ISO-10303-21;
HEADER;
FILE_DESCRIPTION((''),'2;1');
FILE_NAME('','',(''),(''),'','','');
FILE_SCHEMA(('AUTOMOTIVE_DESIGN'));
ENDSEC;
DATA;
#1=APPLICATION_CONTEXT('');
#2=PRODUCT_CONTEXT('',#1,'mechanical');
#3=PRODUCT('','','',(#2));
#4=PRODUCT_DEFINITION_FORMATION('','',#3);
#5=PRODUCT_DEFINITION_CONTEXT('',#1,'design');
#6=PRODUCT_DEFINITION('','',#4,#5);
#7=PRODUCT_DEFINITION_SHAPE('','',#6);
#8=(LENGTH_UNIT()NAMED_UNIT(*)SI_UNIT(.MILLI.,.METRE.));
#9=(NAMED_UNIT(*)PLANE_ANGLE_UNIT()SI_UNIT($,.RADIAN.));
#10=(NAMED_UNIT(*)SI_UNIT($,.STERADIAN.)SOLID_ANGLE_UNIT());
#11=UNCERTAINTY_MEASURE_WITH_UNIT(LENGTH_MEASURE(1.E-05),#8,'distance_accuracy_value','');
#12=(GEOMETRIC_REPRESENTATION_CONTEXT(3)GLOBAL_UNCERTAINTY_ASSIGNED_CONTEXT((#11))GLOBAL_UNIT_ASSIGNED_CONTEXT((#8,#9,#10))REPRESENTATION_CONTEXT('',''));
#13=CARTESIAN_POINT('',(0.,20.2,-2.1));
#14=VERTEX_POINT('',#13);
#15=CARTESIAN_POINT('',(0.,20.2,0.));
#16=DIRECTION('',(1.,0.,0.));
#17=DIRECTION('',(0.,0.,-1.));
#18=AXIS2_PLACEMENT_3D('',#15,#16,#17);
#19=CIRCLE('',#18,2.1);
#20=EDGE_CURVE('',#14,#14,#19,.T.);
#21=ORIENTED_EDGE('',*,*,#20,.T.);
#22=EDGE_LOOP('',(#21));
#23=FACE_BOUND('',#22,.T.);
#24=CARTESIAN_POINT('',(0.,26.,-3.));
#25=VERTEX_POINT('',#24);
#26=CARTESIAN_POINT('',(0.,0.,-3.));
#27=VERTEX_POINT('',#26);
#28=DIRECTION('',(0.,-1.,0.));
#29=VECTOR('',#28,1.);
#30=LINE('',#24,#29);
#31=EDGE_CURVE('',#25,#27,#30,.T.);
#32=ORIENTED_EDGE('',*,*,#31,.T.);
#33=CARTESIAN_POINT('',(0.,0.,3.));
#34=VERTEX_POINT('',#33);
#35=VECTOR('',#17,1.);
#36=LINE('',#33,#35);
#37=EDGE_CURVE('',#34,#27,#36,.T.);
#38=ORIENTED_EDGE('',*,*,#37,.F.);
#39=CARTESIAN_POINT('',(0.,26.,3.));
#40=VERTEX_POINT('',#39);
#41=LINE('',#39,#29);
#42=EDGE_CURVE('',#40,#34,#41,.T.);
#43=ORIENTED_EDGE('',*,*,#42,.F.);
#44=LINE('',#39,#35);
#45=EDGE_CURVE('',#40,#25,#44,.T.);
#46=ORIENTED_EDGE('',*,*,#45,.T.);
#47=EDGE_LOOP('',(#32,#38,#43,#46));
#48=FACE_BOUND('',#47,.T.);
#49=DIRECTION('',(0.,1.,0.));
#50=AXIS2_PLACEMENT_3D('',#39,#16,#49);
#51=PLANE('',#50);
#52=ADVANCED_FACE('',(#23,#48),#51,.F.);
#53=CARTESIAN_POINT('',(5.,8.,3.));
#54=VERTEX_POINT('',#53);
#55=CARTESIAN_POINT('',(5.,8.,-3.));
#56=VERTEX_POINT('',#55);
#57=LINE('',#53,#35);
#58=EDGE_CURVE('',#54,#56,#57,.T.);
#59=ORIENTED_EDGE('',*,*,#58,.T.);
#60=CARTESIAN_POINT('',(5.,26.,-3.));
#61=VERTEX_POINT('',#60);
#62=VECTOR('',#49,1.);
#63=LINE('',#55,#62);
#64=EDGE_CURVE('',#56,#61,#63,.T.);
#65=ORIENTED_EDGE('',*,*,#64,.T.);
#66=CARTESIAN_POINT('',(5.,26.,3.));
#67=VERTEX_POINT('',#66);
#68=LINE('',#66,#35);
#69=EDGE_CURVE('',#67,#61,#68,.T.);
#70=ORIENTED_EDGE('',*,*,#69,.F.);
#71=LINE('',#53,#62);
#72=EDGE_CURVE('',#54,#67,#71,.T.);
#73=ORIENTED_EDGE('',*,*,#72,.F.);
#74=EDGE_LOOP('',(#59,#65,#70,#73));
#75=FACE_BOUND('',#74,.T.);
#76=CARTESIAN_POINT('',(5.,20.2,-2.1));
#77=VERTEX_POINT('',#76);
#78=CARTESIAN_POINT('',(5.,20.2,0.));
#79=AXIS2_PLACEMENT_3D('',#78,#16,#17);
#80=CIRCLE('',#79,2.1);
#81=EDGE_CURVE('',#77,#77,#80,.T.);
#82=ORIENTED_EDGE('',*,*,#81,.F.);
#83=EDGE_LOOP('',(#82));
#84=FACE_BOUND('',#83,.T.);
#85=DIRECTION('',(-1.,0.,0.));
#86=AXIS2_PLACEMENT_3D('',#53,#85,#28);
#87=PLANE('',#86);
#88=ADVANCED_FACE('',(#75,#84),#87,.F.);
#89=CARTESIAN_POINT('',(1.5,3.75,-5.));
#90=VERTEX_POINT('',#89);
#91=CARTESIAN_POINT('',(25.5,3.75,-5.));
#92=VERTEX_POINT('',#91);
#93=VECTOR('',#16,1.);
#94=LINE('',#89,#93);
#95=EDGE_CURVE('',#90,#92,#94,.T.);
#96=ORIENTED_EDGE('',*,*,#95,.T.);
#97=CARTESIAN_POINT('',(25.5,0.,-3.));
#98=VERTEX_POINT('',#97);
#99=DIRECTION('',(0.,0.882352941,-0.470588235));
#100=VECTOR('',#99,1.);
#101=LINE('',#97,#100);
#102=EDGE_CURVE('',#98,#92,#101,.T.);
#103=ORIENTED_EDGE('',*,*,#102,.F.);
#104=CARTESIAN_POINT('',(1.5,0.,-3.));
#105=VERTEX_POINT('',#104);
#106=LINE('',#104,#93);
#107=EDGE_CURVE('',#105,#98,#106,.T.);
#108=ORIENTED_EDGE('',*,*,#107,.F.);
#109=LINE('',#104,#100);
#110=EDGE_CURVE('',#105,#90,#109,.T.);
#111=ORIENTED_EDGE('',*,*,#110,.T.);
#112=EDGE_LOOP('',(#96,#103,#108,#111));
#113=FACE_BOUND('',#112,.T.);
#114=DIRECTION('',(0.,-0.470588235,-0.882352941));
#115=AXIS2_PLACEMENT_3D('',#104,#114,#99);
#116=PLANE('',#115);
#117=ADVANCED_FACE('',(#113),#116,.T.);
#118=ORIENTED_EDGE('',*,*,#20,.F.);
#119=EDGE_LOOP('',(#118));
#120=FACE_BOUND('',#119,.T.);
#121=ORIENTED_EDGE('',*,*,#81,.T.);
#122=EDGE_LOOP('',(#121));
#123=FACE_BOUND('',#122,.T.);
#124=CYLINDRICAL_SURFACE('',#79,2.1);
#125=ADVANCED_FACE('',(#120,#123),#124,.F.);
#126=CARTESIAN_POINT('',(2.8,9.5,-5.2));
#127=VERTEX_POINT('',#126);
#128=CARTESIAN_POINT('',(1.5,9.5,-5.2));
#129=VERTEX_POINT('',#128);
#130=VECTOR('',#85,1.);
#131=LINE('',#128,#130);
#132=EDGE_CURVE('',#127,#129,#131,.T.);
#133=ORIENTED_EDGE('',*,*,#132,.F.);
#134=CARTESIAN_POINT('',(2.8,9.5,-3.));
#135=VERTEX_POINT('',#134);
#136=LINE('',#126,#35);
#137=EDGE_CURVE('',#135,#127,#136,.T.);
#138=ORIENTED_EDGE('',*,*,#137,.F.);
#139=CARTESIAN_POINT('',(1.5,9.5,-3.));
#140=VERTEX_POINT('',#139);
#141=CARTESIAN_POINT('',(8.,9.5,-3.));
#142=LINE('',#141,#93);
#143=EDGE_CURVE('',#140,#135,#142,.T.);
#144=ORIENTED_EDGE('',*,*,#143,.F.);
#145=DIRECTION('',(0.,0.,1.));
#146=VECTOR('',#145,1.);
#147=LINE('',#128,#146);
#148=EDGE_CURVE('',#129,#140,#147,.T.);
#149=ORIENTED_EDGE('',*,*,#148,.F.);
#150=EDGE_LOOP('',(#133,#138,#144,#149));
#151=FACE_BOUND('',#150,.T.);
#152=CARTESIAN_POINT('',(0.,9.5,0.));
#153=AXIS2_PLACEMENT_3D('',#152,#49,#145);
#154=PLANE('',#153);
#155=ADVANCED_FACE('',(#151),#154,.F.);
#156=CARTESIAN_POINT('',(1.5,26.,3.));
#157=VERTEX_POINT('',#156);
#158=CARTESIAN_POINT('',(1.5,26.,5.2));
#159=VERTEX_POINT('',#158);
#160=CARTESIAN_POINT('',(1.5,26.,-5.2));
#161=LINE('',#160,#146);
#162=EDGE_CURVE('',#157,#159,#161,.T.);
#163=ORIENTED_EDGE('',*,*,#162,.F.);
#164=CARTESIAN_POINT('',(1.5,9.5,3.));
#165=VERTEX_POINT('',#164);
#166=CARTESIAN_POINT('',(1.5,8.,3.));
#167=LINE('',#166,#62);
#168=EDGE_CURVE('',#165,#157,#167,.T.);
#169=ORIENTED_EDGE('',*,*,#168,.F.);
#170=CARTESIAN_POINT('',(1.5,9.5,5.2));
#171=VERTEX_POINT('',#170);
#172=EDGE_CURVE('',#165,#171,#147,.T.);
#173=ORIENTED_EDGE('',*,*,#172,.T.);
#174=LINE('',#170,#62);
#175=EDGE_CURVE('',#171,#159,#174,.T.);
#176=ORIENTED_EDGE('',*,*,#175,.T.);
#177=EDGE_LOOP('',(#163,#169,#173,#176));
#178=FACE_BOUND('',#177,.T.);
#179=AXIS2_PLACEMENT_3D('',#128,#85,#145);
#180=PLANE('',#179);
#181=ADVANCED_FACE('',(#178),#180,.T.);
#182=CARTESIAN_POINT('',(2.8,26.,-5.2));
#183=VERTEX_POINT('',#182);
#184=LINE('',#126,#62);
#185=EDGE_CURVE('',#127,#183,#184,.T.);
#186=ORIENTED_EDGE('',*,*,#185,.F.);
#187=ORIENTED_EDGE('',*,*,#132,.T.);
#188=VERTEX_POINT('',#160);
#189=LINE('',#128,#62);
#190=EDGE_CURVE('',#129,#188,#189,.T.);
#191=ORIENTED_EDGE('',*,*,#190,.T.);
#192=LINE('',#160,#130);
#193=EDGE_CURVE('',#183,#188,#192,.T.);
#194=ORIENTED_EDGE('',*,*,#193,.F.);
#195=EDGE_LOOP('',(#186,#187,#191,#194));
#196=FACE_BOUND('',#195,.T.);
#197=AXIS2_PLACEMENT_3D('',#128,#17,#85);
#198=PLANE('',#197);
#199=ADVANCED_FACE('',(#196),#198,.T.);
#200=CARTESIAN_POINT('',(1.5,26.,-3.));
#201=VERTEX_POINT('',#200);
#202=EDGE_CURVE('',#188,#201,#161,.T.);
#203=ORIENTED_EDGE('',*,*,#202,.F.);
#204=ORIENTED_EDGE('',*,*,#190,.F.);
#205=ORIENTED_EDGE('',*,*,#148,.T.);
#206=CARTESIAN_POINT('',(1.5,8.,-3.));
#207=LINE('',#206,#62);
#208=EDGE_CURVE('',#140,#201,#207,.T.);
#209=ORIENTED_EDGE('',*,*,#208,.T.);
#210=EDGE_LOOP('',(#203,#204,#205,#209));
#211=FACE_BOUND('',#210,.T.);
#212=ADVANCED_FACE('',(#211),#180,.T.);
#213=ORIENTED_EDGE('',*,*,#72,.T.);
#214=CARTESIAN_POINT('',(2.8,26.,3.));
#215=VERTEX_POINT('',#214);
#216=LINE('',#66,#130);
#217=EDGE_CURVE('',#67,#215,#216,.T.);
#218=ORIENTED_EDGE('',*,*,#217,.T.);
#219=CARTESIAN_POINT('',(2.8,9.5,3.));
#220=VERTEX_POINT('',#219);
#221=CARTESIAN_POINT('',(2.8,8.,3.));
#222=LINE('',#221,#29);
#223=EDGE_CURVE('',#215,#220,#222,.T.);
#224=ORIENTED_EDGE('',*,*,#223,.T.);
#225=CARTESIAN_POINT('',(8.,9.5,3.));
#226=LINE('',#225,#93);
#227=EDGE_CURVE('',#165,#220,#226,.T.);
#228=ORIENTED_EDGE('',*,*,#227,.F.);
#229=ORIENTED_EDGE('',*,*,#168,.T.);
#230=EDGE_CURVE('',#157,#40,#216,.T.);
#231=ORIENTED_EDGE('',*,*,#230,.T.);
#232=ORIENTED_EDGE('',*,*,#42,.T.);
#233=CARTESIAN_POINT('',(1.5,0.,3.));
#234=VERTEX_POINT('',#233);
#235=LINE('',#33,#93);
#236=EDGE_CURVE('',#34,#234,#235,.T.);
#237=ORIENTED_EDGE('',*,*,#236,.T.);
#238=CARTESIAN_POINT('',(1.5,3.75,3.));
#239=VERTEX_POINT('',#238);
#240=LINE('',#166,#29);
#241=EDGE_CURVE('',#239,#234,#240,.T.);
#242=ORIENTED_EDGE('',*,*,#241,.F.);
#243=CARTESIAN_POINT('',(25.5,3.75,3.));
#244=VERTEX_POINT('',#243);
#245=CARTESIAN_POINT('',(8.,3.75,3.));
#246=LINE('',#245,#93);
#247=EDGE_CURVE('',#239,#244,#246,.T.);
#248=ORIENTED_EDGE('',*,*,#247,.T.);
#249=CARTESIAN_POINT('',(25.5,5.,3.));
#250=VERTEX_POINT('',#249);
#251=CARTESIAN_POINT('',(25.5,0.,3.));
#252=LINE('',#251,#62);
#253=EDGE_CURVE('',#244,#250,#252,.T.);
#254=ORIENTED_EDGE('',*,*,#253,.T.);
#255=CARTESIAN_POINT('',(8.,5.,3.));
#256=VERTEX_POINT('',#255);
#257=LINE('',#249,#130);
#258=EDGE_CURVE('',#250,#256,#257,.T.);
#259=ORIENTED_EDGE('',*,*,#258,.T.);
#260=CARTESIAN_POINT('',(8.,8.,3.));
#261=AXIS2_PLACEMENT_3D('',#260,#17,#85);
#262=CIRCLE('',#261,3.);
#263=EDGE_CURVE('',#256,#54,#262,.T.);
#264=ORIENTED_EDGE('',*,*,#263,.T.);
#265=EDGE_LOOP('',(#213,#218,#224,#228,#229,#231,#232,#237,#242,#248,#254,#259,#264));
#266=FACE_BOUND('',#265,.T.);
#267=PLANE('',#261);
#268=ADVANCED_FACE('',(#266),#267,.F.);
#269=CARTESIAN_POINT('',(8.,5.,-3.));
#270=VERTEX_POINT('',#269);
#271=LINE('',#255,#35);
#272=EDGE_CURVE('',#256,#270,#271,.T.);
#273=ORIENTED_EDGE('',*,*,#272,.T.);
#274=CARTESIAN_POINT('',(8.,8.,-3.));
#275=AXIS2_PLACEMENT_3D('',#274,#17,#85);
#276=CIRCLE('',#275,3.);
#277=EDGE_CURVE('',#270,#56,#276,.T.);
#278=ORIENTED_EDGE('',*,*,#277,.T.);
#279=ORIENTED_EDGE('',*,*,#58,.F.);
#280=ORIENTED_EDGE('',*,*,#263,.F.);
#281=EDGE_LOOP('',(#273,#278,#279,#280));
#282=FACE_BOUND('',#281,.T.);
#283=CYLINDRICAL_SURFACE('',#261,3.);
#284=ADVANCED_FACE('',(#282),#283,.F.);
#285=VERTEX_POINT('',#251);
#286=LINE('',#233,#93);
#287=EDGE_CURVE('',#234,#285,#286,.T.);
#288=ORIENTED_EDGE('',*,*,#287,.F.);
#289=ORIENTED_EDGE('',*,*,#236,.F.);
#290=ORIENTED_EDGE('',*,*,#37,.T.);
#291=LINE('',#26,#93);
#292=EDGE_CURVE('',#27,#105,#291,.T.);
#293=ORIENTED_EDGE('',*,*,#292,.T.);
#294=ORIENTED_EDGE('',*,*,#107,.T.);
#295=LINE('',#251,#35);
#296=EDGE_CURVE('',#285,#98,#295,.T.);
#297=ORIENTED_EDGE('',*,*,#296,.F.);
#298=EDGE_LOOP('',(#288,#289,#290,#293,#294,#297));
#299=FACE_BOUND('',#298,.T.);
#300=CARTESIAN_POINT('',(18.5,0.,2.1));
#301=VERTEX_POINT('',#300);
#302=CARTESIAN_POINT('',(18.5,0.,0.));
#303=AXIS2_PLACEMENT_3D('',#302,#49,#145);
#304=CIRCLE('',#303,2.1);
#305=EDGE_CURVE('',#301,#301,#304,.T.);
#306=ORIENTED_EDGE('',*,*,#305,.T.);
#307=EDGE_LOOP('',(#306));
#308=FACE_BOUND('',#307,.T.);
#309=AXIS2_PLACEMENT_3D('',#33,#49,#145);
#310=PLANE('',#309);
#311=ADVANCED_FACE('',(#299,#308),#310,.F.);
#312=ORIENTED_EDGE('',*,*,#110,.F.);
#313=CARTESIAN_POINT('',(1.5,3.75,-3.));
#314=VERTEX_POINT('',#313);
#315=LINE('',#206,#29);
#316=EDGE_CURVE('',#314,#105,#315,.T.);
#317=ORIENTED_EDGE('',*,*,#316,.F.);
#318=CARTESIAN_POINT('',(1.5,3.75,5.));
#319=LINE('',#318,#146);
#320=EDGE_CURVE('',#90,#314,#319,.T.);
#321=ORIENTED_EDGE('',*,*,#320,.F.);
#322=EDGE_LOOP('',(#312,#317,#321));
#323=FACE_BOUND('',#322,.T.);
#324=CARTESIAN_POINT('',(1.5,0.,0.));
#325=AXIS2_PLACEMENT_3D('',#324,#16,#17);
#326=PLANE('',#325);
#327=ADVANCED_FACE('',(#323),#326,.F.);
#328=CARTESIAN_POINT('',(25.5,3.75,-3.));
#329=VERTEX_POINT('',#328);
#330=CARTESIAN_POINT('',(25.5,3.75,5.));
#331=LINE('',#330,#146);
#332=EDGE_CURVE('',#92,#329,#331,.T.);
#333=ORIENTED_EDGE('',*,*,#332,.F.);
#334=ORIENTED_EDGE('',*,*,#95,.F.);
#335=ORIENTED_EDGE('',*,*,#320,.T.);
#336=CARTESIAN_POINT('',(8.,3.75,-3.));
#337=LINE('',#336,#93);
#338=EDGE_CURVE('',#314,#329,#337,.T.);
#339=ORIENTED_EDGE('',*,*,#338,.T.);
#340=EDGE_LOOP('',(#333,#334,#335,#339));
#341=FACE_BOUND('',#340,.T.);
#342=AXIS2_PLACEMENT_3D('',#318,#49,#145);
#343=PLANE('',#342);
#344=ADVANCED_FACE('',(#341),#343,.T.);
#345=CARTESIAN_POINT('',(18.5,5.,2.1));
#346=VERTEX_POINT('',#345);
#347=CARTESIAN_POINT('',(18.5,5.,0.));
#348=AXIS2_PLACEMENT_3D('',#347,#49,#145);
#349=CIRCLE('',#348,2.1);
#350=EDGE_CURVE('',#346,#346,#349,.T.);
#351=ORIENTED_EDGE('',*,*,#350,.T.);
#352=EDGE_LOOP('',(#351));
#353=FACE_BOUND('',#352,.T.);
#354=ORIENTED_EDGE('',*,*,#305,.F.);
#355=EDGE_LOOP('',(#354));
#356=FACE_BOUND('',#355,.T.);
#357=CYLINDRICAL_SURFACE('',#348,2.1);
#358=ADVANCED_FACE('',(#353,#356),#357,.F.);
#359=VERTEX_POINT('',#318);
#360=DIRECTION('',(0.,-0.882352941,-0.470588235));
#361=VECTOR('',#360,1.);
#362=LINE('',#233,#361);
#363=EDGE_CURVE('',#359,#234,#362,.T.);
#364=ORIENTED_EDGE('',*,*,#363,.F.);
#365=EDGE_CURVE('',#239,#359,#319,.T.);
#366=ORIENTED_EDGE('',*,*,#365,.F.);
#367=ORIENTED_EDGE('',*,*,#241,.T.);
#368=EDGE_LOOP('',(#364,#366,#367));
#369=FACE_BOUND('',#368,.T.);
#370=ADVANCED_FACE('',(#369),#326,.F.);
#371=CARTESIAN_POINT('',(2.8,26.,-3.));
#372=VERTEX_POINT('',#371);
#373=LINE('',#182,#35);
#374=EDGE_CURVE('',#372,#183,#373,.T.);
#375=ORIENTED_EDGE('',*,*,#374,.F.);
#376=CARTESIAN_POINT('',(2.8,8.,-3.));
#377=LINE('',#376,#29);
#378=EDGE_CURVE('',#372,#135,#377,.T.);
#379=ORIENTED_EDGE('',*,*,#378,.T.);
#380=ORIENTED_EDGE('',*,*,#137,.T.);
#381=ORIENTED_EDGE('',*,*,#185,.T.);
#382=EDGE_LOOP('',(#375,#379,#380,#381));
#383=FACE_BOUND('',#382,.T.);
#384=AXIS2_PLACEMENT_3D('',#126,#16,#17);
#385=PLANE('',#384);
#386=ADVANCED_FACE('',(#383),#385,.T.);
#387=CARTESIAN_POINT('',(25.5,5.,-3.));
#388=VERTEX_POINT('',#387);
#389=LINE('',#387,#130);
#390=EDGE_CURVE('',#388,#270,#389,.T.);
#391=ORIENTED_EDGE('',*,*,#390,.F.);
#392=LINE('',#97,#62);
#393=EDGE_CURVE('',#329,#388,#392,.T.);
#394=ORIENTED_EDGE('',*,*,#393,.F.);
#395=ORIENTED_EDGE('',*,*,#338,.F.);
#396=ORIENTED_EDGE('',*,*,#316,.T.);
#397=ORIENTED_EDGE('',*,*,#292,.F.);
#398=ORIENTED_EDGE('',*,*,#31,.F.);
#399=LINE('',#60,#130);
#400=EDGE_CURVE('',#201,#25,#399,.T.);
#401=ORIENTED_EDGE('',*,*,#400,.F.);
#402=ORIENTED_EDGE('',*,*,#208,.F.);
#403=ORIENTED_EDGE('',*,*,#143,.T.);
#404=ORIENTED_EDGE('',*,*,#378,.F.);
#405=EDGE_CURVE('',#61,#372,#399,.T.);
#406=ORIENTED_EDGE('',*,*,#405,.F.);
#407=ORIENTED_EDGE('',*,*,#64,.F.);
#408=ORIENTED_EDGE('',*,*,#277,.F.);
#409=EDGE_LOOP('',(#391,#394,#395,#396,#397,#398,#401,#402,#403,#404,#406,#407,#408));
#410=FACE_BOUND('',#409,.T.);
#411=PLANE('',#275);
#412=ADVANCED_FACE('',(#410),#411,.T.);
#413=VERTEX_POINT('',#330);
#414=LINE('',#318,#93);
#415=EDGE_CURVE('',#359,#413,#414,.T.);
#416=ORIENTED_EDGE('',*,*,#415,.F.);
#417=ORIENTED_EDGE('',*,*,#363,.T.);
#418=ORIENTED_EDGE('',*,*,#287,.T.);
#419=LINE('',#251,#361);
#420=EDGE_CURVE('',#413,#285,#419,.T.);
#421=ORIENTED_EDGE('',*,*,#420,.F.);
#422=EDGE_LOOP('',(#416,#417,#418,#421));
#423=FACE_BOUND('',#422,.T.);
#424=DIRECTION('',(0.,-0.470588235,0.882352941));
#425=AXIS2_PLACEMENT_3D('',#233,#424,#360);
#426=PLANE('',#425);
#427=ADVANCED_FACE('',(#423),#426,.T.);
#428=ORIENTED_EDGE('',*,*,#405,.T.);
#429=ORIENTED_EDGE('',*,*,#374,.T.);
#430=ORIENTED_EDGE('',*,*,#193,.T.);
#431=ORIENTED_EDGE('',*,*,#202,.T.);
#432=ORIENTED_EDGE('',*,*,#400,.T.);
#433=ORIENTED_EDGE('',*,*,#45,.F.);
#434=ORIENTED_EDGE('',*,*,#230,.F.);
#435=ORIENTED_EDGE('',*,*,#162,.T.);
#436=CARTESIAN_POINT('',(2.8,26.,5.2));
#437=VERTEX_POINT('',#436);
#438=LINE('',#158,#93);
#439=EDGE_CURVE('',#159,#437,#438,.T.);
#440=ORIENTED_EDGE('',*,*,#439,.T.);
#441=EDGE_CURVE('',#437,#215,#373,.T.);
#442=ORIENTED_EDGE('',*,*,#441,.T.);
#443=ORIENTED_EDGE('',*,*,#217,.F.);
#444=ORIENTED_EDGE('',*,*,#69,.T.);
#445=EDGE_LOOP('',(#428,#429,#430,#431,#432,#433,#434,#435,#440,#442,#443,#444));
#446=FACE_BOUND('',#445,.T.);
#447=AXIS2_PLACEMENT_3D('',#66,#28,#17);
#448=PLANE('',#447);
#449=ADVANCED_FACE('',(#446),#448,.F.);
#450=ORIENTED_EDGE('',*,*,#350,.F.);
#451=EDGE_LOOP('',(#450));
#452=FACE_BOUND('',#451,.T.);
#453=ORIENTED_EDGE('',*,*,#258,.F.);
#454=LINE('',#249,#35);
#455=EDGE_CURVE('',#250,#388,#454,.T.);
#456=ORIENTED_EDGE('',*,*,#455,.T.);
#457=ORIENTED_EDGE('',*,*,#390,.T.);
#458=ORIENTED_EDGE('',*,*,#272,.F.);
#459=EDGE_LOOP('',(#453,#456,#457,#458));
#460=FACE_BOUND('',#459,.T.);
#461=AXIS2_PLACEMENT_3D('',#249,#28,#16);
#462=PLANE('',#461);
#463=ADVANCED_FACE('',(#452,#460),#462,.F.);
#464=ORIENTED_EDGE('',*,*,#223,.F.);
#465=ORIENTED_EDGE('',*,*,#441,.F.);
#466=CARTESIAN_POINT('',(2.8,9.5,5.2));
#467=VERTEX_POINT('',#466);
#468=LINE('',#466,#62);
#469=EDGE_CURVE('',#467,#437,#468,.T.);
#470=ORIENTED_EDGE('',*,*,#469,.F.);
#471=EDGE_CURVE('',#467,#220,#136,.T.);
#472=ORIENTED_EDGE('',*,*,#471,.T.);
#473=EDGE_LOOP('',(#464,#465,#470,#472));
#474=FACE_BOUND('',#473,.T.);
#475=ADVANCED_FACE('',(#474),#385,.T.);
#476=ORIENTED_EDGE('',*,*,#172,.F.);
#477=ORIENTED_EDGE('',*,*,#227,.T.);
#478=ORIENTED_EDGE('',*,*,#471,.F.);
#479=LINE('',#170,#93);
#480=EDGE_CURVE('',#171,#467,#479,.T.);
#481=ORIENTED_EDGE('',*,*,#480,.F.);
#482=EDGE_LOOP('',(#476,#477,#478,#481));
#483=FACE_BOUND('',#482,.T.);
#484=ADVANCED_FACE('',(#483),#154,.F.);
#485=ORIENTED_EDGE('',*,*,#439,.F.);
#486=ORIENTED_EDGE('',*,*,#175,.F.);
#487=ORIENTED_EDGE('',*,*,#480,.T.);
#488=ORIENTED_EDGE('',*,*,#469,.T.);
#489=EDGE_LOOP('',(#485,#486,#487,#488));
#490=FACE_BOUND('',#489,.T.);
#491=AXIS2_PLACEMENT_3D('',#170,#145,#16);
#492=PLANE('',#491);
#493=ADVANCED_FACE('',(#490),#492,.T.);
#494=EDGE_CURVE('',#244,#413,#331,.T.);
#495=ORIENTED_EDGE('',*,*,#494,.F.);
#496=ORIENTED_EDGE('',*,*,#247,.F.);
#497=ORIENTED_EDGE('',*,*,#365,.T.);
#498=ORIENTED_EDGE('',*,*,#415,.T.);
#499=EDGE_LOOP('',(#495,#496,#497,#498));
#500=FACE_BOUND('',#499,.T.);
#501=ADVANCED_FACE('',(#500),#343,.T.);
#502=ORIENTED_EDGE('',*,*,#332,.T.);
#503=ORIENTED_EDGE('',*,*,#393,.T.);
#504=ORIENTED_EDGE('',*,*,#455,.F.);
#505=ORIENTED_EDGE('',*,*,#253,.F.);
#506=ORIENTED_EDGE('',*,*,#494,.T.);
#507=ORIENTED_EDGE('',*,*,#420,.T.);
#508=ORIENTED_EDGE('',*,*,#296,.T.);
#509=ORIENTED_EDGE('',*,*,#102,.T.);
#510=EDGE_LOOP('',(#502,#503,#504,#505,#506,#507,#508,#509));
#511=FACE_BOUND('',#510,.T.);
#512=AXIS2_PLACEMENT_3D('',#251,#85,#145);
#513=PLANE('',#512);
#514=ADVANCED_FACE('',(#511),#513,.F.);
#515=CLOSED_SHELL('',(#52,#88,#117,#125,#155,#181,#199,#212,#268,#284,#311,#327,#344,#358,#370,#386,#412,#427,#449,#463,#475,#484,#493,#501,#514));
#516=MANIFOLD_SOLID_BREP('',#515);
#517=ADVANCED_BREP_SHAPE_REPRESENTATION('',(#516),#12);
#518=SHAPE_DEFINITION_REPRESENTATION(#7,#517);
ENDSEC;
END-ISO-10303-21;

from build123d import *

# Parameters (mm, degrees)
BOSS_EXTRUDE1_DEPTH   = 3
BOSS_EXTRUDE2_DEPTH   = 24
SKETCH3_W             = 1.3
SKETCH3_H             = 10.4
BOSS_EXTRUDE3_DEPTH   = 16.5
M5X0_8_TAPPED_HOLE1_D = 4.2
M5X0_8_TAPPED_HOLE2_D = 4.2


with BuildPart() as part:
    # Sketch1 → Boss-Extrude1 (new body, symmetric)
    with BuildSketch(Plane.XY):
        with BuildLine():
            Line((0, 26), (0, 0))
            Line((0, 0), (25.5, 0))
            Line((25.5, 0), (25.5, 5))
            Line((25.5, 5), (8, 5))
            ThreePointArc((8, 5), (5.878679656, 5.878679656), (5, 8))
            Line((5, 8), (5, 26))
            Line((5, 26), (0, 26))
        make_face()
    extrude(amount=BOSS_EXTRUDE1_DEPTH, both=True)

    # Sketch2 → Boss-Extrude2 (add)
    with BuildSketch(Plane(origin=(25.5, 0, 0), x_dir=(0, 0, -1), z_dir=(1, 0, 0))):
        Polygon((-3, 0), (-5, 3.75), (5, 3.75), (3, 0), align=None)
    extrude(amount=-BOSS_EXTRUDE2_DEPTH)

    # Sketch3 → Boss-Extrude3 (add)
    with BuildSketch(Plane(origin=(0, 26, 0), x_dir=(1, 0, 0), z_dir=(0, 1, 0))):
        with Locations((2.15, 0)):
            Rectangle(SKETCH3_W, SKETCH3_H)
    extrude(amount=-BOSS_EXTRUDE3_DEPTH)

    # M5x0.8 Tapped Hole1 (through all)
    with Locations(Plane(origin=(0, 5, 0), x_dir=(1, 0, 0), z_dir=(0, 1, 0))):
        with Locations((18.5, 0)):
            Hole(M5X0_8_TAPPED_HOLE1_D / 2)

    # M5x0.8 Tapped Hole2 (through all)
    with Locations(Plane(origin=(5, 0, 0), x_dir=(0, 0, -1), z_dir=(1, 0, 0))):
        with Locations((0, 20.2)):
            Hole(M5X0_8_TAPPED_HOLE2_D / 2)


solid = part.part
